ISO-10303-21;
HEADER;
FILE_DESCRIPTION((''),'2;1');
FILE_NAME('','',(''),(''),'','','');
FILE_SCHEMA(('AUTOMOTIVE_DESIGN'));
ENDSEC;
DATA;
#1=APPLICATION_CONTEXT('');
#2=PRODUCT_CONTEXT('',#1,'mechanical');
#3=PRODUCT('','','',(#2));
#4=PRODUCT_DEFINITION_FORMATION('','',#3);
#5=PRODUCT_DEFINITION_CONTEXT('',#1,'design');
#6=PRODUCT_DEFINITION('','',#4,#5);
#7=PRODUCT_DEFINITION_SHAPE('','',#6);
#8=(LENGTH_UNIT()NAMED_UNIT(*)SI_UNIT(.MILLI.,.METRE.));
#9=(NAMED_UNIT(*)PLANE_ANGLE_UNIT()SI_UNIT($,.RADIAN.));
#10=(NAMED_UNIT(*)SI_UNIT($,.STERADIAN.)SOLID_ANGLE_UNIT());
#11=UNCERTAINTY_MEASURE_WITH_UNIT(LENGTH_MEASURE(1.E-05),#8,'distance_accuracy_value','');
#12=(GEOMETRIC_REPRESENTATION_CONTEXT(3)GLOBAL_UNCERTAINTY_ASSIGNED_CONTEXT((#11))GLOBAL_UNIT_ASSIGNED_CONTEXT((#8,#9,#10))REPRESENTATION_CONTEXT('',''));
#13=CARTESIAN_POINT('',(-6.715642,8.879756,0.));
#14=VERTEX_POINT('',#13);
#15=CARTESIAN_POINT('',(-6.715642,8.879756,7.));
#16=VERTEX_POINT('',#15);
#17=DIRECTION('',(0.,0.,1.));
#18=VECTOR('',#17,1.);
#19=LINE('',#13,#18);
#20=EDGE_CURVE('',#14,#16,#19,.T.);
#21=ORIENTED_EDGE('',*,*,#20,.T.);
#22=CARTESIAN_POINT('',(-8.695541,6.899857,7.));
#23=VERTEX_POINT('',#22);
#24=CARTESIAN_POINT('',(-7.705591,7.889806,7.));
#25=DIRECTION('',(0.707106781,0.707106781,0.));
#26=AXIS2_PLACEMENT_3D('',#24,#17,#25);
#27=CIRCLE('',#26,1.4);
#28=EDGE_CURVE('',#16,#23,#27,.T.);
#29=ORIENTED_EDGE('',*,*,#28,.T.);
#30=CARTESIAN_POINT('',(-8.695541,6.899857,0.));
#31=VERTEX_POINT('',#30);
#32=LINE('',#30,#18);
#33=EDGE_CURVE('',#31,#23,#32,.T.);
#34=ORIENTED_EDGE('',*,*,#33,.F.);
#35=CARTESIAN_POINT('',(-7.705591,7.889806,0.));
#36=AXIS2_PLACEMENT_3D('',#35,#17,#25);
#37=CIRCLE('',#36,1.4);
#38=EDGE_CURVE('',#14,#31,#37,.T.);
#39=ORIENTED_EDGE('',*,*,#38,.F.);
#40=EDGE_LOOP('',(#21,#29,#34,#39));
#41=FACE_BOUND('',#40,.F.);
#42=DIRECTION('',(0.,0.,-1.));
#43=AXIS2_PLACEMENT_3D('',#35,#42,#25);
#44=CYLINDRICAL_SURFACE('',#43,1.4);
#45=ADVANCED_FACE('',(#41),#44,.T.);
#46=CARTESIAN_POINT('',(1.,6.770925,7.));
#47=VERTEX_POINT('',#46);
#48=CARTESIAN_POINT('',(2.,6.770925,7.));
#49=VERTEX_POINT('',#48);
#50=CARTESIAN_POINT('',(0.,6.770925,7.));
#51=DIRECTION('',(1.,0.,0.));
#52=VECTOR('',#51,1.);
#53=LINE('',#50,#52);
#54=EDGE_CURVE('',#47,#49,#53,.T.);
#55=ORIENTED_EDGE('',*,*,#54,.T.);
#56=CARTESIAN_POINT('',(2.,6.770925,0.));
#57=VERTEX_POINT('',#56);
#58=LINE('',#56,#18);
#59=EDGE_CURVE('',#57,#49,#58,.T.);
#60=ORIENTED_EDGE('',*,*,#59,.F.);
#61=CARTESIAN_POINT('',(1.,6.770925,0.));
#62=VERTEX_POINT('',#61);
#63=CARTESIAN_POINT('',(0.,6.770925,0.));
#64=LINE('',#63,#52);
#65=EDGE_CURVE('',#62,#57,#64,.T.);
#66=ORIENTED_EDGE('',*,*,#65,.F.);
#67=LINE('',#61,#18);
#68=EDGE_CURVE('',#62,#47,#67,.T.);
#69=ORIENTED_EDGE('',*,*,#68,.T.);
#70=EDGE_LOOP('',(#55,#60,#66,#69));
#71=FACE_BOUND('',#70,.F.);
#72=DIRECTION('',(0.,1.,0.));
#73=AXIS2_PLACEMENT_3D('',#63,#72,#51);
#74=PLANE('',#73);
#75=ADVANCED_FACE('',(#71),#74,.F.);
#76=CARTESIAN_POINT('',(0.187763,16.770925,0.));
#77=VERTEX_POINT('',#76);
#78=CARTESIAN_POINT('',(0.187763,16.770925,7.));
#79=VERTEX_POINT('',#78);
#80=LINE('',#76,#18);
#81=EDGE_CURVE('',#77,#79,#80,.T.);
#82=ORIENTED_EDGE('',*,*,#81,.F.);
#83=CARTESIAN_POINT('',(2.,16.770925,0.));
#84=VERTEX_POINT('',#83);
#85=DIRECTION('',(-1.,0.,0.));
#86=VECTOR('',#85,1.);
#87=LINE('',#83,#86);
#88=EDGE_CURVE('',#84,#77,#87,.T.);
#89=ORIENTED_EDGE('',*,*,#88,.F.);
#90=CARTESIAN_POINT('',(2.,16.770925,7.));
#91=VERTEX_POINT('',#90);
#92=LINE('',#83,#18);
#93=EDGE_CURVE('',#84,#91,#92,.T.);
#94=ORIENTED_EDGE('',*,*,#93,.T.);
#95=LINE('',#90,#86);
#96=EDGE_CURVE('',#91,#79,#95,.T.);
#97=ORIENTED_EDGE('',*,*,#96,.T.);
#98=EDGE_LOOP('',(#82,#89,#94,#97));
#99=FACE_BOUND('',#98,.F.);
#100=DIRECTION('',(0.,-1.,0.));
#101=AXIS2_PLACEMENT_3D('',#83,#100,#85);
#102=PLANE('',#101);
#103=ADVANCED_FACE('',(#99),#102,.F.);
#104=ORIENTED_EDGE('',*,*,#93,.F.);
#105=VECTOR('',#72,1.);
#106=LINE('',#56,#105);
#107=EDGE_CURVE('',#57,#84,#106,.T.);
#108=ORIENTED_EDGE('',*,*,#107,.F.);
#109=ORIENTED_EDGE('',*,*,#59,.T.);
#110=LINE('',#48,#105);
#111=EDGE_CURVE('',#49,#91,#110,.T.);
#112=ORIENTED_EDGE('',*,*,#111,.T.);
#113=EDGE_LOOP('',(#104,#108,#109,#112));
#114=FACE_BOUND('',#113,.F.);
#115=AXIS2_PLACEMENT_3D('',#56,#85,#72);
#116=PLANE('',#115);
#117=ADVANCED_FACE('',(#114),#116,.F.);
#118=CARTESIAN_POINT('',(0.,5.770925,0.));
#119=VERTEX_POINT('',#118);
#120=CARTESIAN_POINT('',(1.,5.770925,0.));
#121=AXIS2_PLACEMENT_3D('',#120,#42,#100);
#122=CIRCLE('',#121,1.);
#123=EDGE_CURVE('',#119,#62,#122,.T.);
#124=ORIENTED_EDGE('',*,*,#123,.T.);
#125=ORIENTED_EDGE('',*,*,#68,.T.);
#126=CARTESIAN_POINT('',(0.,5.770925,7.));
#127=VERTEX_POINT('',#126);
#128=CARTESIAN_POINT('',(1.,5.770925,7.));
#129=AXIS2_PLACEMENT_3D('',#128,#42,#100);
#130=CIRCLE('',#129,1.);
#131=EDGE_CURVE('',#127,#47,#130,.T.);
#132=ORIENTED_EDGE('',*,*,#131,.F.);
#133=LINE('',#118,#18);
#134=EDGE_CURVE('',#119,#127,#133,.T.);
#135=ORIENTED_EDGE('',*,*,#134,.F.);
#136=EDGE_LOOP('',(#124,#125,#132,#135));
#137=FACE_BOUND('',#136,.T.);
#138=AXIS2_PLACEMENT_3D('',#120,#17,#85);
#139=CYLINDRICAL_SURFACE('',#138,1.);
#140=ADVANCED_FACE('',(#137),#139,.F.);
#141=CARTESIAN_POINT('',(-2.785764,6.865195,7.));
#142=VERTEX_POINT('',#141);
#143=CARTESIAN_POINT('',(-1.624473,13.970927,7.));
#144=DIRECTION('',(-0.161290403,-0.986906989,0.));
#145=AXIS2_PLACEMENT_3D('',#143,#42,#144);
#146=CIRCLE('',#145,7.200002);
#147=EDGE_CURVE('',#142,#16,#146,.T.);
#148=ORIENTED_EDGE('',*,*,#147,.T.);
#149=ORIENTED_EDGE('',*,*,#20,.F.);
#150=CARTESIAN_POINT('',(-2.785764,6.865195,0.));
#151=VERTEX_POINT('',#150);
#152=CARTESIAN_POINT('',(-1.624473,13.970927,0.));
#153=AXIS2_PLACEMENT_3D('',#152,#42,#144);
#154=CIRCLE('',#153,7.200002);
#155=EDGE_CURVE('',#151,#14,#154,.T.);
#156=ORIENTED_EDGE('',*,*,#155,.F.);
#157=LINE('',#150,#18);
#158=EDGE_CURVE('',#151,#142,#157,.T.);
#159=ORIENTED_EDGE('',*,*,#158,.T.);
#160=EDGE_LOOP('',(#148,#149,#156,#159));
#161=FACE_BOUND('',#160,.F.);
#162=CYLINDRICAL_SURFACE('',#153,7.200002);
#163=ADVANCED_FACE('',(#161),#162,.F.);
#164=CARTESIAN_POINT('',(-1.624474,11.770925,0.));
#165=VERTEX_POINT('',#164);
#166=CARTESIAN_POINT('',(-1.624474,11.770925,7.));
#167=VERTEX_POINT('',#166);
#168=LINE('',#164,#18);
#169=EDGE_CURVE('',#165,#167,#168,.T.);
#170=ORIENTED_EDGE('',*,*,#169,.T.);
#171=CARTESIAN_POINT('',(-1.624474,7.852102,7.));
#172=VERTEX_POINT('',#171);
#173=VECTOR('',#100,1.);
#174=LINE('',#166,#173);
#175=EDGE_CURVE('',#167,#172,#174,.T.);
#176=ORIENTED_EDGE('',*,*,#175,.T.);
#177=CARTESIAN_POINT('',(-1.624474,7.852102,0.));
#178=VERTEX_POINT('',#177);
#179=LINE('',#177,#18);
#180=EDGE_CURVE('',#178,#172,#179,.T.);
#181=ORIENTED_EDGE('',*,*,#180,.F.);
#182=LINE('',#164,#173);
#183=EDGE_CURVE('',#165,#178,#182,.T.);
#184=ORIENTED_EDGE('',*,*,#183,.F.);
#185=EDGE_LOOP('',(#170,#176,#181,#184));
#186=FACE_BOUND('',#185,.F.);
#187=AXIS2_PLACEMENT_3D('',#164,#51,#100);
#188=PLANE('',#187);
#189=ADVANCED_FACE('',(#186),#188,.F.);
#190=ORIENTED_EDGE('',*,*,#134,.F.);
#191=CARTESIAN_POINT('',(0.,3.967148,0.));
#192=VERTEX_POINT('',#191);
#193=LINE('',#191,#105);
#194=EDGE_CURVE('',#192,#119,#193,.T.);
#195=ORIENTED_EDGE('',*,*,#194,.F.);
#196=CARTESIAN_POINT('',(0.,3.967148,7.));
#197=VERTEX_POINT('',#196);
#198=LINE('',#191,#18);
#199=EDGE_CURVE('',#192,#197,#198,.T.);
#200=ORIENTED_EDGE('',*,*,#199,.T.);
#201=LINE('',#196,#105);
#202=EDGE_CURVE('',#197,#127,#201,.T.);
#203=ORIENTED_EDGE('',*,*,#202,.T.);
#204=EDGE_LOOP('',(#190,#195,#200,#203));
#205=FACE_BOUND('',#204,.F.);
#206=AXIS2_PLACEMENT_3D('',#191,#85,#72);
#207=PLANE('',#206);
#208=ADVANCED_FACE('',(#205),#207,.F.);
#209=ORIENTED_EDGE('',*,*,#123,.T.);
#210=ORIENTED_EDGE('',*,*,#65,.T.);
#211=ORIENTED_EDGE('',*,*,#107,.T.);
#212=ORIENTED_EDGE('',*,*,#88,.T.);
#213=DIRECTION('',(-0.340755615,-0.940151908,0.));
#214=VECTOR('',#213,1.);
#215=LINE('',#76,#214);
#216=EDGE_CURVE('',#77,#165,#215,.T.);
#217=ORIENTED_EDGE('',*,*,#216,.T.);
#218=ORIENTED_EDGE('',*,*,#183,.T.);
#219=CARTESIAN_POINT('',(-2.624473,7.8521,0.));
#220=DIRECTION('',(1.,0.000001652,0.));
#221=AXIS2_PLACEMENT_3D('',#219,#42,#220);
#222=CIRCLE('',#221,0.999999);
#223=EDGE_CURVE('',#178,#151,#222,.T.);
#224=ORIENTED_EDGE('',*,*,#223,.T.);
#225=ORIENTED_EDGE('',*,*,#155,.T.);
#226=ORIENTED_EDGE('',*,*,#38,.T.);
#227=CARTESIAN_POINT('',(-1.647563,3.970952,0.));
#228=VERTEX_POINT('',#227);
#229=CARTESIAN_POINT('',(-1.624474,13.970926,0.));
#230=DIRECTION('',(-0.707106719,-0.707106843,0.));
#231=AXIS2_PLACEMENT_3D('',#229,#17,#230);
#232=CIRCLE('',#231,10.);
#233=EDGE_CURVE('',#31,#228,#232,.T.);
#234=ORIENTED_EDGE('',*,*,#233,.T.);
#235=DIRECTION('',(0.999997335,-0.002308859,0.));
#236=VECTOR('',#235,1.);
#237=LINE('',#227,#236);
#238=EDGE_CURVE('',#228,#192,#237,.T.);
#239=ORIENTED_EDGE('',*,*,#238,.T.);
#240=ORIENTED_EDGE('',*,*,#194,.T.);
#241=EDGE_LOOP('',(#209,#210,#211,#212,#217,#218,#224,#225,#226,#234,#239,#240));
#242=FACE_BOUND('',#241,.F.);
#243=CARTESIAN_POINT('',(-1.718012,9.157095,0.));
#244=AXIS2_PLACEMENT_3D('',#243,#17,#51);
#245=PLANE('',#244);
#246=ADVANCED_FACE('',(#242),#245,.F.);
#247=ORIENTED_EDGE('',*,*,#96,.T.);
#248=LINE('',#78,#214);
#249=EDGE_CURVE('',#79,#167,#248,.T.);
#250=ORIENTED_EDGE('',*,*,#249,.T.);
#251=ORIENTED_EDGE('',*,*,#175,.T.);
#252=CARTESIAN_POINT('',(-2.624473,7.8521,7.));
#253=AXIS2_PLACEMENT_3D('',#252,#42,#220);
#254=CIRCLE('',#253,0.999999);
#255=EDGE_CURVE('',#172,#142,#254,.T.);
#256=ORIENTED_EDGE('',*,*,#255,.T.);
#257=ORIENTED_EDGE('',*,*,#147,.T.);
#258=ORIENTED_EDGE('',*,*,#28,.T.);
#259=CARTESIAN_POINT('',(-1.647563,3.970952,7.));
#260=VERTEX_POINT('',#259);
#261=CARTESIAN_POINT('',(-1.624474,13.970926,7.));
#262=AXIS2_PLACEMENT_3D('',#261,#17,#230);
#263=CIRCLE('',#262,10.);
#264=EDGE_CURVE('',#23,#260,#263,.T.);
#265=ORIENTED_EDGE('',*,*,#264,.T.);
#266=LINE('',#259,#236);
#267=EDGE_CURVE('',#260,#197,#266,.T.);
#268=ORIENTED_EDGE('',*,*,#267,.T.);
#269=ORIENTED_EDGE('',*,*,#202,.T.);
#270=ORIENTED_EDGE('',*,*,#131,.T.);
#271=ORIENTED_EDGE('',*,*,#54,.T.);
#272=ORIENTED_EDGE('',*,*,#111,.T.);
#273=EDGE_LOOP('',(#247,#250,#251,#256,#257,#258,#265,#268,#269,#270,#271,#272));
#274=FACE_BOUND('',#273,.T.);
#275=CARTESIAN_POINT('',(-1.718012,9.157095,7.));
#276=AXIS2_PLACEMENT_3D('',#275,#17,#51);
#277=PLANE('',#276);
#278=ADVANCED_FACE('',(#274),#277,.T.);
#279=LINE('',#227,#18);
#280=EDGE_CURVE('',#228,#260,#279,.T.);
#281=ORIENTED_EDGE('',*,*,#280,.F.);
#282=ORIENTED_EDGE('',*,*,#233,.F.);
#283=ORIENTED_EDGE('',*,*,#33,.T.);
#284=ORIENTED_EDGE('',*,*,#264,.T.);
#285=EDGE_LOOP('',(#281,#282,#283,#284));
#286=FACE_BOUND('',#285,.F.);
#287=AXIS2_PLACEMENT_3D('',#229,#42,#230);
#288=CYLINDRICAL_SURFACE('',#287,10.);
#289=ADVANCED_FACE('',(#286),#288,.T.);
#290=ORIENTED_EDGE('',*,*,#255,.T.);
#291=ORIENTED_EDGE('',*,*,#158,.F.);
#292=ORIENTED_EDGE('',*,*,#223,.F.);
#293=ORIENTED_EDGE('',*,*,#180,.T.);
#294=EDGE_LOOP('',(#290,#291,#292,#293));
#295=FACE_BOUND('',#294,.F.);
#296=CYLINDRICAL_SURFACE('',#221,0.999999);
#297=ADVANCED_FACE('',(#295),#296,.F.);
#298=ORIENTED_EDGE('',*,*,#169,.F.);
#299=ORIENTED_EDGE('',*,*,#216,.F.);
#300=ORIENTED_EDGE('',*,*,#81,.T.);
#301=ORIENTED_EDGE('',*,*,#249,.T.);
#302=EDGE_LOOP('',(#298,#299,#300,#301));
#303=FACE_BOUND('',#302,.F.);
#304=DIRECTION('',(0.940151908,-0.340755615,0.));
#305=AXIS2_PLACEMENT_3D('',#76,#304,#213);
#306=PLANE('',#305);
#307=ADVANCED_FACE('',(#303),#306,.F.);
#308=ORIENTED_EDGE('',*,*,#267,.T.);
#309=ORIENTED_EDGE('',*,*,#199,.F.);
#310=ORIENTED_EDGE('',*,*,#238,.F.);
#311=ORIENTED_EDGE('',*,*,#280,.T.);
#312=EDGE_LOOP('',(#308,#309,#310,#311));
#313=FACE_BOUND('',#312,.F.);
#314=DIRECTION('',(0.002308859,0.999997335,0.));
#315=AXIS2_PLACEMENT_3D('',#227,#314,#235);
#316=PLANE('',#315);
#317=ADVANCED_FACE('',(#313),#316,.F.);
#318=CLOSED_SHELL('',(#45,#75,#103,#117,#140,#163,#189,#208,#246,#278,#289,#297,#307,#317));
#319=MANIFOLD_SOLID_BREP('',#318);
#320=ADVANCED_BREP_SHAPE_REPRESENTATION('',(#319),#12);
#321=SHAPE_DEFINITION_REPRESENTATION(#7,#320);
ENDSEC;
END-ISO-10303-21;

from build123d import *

# Parameters (mm, degrees)
F1_DEPTH = 7
F2_R     = 1


with BuildPart() as f1:
    # F0 (on Top) → F1 (new body)
    with BuildSketch(Plane.XY):
        with BuildLine():
            Line((0, 3.967148), (0, 6.770925))
            Line((0, 6.770925), (2, 6.770925))
            Line((2, 6.770925), (2, 16.770925))
            Line((2, 16.770925), (0.187763, 16.770925))
            Line((0.187763, 16.770925), (-1.624474, 11.770925))
            Line((-1.624474, 11.770925), (-1.624474, 7.852102))
            ThreePointArc((-1.624474, 7.852102), (-1.976897, 7.090101), (-2.785764, 6.865195))
            ThreePointArc((-2.785764, 6.865195), (-4.908971, 7.563736), (-6.715642, 8.879756))
            Line((-6.715642, 8.879756), (-8.695541, 6.899857))
            ThreePointArc((-8.695541, 6.899857), (-5.461971, 4.736554), (-1.647563, 3.970952))
            Line((-1.647563, 3.970952), (0, 3.967148))
        make_face()
        with BuildLine():
            ThreePointArc((-6.715642, 8.879756), (-8.695541, 8.879756), (-8.695541, 6.899857))
            Line((-8.695541, 6.899857), (-6.715642, 8.879756))
        make_face()
    extrude(amount=F1_DEPTH)

    # F2
    f2_edges = [f1.edges().sort_by_distance(p)[0] for p in [
        (0, 6.770925, 3.5),
    ]]
    fillet(f2_edges, radius=F2_R)


solid = f1.part
